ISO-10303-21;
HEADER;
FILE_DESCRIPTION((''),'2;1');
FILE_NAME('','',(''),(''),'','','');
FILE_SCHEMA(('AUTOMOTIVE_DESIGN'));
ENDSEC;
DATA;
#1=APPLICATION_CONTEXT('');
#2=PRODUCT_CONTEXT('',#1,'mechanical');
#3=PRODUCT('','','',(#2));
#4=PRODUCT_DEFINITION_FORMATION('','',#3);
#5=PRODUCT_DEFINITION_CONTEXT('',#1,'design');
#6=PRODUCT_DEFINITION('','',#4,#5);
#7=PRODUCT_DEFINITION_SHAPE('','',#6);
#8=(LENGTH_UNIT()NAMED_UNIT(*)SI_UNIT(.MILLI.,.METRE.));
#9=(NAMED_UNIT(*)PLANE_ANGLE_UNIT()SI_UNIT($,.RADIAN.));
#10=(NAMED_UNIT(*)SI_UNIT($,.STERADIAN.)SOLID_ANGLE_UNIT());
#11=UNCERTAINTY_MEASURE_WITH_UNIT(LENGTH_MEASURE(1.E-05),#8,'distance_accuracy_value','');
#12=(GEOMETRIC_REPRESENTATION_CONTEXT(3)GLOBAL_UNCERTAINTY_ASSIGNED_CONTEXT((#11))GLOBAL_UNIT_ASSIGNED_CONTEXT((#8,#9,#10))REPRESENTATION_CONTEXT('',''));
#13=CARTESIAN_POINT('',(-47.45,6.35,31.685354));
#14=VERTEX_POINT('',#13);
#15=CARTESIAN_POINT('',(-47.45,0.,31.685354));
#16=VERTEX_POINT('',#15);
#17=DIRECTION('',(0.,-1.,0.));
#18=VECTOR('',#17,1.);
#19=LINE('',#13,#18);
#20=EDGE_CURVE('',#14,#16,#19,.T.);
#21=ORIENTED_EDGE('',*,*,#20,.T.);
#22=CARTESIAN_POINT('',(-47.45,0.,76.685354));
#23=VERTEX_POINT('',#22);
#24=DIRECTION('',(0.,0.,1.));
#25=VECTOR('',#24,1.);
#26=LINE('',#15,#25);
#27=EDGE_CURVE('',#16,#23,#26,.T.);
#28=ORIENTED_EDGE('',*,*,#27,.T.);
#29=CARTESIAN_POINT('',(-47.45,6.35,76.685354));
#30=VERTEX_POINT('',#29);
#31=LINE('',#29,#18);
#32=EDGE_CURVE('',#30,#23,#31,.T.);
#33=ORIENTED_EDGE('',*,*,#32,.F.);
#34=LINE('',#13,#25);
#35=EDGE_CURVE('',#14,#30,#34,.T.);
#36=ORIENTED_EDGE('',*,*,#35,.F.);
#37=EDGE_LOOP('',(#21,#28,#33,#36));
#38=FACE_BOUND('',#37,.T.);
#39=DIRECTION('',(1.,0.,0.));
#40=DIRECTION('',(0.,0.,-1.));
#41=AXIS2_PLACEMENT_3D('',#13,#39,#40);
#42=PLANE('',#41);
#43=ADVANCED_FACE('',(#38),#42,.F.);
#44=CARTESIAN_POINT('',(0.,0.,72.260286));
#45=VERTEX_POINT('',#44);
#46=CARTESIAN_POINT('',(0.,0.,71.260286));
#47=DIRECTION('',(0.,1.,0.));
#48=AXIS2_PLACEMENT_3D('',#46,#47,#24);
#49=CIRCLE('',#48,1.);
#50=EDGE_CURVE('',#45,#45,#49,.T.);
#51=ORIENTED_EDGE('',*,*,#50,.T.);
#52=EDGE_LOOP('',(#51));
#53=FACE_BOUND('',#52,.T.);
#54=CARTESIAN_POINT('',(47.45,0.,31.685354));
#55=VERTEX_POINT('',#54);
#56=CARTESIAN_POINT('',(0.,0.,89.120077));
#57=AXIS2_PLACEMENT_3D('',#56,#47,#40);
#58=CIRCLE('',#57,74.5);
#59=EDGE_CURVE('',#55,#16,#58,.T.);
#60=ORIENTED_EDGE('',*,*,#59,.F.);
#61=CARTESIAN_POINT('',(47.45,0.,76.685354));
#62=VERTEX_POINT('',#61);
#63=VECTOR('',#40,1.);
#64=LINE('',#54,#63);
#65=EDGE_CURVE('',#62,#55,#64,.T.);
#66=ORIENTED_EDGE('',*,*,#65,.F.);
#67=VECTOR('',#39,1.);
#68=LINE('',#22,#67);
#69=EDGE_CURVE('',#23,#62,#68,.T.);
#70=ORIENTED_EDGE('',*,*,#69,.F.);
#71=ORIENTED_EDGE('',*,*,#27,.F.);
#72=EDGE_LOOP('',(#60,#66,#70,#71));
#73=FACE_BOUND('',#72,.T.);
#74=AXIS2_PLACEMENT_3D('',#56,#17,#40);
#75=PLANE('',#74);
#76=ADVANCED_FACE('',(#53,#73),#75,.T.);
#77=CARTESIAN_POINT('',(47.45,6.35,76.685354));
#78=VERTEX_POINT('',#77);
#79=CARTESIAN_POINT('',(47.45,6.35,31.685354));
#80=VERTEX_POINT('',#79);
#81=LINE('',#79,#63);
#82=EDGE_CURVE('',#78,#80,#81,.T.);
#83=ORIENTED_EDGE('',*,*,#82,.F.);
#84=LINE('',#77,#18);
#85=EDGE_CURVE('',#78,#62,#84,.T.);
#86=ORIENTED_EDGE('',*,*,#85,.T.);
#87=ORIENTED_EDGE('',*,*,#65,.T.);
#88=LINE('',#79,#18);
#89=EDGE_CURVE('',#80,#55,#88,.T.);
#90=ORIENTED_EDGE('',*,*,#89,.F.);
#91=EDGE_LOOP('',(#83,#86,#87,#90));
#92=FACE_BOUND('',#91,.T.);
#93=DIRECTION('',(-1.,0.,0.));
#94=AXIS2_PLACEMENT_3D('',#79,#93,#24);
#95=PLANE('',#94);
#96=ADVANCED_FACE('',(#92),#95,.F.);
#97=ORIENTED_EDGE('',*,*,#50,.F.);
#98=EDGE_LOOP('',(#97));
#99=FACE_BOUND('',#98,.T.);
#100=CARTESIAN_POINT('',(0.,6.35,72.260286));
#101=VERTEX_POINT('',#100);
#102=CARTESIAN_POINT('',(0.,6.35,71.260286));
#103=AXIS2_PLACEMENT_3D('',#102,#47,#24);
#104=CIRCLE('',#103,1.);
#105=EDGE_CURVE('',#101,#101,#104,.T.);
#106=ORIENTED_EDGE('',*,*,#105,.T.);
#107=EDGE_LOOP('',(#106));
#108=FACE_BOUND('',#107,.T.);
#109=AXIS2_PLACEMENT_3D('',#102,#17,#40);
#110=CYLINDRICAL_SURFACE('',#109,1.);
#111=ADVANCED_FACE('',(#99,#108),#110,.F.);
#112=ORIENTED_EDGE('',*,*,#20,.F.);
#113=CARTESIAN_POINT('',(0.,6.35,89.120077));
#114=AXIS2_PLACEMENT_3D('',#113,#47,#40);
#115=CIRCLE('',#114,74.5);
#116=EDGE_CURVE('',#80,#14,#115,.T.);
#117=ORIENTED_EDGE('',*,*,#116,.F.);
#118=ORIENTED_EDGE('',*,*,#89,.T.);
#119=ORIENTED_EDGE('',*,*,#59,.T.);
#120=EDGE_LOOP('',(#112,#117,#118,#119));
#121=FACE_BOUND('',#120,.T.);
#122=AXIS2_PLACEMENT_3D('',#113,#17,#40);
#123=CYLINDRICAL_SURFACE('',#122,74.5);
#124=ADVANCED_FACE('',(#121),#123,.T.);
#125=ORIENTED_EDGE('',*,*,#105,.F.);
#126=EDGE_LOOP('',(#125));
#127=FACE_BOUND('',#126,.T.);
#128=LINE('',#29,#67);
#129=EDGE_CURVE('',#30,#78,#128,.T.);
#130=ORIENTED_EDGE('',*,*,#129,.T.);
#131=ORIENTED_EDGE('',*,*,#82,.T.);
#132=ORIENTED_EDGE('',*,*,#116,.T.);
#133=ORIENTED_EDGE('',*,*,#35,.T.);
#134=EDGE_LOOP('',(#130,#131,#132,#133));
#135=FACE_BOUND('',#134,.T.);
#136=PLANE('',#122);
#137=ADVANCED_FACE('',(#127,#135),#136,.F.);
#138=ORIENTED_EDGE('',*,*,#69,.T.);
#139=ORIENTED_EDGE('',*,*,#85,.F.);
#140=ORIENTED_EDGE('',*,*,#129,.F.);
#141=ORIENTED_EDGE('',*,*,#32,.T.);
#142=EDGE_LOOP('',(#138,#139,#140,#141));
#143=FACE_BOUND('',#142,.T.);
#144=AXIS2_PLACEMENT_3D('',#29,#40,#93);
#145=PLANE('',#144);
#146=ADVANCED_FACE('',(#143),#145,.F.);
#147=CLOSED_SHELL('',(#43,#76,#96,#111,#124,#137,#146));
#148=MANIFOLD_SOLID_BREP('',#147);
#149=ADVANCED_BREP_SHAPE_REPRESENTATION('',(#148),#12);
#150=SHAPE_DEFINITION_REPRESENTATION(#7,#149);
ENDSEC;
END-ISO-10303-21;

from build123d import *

# Parameters (mm, degrees)
SKETCH1_R           = 1
BOSS_EXTRUDE1_DEPTH = 6.35


with BuildPart() as part:
    # Sketch1 → Boss-Extrude1 (new body)
    with BuildSketch(Plane(origin=(0, 0, 0), x_dir=(1, 0, 0), z_dir=(0, 1, 0))):
        with BuildLine():
            Line((-47.45, -31.685353535), (-47.45, -76.685353535))
            Line((-47.45, -76.685353535), (47.45, -76.685353535))
            Line((47.45, -76.685353535), (47.45, -31.685353535))
            ThreePointArc((47.45, -31.685353535), (0, -14.620077353), (-47.45, -31.685353535))
        make_face()
        with Locations((0, -71.260285785)):
            Circle(SKETCH1_R, mode=Mode.SUBTRACT)
    extrude(amount=BOSS_EXTRUDE1_DEPTH)


solid = part.part
